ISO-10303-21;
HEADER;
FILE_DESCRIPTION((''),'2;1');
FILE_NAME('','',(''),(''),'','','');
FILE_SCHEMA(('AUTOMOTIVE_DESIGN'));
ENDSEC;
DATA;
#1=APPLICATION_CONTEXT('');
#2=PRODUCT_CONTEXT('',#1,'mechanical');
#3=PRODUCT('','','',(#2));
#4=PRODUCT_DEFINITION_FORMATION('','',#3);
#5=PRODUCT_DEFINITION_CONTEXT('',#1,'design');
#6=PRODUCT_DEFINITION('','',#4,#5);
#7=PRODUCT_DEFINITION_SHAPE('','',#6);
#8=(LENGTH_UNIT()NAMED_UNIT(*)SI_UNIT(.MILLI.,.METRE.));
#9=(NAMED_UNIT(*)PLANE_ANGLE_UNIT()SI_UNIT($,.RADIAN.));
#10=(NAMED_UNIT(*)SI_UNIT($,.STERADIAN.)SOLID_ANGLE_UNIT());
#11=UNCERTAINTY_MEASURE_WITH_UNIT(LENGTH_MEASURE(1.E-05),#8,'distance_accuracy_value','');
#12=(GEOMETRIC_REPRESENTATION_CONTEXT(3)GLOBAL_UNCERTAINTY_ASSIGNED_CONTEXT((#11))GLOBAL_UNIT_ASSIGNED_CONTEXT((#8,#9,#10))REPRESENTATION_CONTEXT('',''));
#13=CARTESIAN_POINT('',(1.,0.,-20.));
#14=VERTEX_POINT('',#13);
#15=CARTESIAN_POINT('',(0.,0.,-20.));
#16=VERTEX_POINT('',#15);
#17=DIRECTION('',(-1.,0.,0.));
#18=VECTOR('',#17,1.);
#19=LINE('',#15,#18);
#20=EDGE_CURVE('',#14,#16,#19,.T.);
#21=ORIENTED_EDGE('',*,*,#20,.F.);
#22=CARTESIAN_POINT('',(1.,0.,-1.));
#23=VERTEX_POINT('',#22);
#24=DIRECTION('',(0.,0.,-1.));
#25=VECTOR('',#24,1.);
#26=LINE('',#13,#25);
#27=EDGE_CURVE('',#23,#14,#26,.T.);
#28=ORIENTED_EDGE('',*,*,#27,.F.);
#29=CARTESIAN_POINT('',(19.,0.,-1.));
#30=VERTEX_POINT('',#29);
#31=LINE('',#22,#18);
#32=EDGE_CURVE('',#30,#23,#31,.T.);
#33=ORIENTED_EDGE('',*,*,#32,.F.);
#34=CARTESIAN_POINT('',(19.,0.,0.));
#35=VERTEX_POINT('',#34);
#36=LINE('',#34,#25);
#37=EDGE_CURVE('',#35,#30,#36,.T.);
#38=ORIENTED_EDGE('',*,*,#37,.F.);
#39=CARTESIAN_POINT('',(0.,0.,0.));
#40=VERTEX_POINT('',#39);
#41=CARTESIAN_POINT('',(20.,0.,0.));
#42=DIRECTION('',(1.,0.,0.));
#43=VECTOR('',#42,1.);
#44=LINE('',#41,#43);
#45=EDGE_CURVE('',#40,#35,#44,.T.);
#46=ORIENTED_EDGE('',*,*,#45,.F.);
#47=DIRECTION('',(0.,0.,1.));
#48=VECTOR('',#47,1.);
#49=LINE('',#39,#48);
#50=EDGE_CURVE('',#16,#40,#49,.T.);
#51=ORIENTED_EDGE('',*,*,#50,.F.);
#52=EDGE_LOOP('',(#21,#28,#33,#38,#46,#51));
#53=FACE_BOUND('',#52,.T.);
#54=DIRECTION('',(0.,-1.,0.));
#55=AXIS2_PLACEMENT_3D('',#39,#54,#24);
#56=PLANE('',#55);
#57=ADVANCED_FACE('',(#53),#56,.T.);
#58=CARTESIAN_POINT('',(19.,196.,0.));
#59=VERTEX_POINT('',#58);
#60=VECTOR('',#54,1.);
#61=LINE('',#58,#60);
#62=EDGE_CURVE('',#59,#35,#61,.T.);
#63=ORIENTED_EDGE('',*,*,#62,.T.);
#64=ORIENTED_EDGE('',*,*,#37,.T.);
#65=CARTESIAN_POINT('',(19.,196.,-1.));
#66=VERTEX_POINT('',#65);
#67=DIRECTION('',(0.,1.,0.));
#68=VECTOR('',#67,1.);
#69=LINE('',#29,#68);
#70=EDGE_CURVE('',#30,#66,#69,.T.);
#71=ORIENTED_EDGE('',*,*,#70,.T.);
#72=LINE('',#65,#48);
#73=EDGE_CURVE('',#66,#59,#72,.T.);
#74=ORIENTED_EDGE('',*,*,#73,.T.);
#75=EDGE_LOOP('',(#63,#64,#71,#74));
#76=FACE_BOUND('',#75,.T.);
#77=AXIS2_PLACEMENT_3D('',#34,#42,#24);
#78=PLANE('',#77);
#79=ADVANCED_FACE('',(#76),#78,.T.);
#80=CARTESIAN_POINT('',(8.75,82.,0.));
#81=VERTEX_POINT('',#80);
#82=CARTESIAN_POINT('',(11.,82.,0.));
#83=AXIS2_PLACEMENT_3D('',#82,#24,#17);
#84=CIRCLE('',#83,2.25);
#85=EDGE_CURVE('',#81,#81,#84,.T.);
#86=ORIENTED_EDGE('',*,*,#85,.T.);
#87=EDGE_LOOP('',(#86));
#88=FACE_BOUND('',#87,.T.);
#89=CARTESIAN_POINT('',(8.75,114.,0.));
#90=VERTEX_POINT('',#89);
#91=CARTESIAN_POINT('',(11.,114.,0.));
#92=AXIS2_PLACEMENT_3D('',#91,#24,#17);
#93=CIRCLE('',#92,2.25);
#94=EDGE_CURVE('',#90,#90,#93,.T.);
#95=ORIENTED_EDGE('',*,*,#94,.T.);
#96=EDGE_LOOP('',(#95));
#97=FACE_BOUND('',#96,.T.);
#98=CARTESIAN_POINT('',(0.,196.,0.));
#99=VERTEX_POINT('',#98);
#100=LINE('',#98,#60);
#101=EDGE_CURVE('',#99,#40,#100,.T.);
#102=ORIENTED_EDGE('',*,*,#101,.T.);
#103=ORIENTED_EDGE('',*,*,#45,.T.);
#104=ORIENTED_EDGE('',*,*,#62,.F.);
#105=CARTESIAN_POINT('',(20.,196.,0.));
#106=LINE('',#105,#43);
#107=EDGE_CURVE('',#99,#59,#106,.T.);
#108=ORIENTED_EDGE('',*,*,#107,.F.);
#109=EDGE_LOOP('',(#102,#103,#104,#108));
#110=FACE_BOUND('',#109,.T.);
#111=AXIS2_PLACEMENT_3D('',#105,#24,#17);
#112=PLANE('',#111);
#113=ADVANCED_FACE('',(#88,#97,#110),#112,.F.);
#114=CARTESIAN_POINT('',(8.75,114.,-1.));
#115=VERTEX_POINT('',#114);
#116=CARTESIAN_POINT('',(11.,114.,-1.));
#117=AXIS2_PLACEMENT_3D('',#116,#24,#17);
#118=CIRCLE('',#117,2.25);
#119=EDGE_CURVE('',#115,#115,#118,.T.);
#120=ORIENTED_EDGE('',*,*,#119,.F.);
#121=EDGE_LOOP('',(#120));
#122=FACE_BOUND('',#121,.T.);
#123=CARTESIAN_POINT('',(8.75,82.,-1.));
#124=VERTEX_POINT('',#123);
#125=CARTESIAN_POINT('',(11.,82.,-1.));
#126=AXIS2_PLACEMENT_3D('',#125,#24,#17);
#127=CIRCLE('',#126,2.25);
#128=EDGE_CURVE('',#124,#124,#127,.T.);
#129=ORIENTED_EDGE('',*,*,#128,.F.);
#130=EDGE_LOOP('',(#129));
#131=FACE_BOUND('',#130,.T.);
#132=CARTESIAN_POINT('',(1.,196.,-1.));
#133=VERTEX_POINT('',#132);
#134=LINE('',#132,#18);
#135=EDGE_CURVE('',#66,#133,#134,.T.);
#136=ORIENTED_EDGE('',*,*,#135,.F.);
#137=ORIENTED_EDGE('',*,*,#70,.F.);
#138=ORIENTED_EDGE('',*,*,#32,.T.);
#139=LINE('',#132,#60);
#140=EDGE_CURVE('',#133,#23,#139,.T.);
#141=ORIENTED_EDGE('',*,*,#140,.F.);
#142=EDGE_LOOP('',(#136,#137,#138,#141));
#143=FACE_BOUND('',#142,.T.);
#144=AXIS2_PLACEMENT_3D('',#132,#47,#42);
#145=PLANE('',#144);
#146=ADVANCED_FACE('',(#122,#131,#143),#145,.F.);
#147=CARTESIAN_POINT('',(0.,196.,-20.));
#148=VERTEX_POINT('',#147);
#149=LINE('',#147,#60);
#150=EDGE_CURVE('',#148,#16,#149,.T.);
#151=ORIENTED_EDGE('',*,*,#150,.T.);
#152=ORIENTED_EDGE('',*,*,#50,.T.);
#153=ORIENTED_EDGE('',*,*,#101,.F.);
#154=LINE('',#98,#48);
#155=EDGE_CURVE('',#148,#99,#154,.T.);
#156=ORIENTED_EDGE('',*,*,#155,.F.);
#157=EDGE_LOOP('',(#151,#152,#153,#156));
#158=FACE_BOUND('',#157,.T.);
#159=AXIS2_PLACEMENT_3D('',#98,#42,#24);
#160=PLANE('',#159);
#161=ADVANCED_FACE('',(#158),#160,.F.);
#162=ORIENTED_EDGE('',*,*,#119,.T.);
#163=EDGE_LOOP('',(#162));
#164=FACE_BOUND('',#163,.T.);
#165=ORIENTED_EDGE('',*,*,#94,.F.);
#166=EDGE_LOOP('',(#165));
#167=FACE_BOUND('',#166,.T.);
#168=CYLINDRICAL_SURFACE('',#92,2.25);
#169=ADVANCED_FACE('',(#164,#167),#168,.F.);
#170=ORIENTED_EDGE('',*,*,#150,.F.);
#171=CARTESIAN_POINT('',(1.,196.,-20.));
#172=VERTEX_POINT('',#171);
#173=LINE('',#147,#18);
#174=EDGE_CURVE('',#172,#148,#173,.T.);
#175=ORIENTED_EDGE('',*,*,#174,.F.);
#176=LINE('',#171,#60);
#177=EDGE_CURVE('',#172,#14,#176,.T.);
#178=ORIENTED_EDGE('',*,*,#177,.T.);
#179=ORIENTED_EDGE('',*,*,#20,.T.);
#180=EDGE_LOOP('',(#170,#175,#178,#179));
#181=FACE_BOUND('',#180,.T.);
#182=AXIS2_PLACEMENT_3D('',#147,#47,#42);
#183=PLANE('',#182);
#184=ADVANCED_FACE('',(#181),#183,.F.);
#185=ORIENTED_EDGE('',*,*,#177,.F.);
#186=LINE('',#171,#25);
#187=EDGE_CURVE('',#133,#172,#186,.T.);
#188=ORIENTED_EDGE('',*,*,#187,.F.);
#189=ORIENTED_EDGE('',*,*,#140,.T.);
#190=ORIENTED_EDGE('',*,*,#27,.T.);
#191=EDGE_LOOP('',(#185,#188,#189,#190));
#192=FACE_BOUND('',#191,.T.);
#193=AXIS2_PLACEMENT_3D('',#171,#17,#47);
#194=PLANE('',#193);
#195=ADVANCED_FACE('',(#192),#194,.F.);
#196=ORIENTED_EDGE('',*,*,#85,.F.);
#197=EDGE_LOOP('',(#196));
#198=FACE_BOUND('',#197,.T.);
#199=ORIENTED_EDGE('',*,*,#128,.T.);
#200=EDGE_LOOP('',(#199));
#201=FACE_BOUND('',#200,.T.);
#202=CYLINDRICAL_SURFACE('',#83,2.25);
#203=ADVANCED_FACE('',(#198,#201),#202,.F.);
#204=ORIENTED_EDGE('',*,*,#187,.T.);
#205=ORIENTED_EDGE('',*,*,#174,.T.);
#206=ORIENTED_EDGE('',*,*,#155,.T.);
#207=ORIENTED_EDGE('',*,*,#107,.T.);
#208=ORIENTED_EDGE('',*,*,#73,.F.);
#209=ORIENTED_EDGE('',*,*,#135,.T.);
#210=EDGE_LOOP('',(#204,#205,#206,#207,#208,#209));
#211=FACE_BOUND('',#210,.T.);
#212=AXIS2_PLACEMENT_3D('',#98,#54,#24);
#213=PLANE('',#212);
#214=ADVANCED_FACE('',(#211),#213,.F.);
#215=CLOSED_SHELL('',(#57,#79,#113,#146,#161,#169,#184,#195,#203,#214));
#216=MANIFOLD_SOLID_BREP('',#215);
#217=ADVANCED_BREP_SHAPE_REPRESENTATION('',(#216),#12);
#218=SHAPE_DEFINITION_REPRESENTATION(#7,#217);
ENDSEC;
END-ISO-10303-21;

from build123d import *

# Parameters (mm, degrees)
EXTRUDE_1_DEPTH     = 196
SKETCH_2_W          = 1
SKETCH_2_H          = 196
CUT_EXTRUDE_1_DEPTH = 1
SKETCH1_R           = 2.25
CUT_EXTRUDE1_DEPTH  = 2


with BuildPart() as part:
    # Эскиз1 → Бобышка-Вытянуть1 (new body)
    with BuildSketch(Plane(origin=(0, 0, 0), x_dir=(1, 0, 0), z_dir=(0, 1, 0))):
        Polygon((0, 0), (0, 20), (1, 20), (1, 1), (20, 1), (20, 0), align=None)
    extrude(amount=EXTRUDE_1_DEPTH)

    # Эскиз2 → Вырез-Вытянуть1 (cut)
    with BuildSketch(Plane(origin=(20, 0, 0), x_dir=(0, 0, -1), z_dir=(1, 0, 0))):
        with Locations((0.5, 98)):
            Rectangle(SKETCH_2_W, SKETCH_2_H)
    extrude(amount=-CUT_EXTRUDE_1_DEPTH, mode=Mode.SUBTRACT)

    # Sketch1 → Cut-Extrude1 (cut, through all)
    with BuildSketch(Plane(origin=(0, 0, -1), x_dir=(-1, 0, 0), z_dir=(0, 0, -1))):
        with Locations((-11, 82)):
            Circle(SKETCH1_R)
        with Locations((-11, 114)):
            Circle(SKETCH1_R)
    extrude(amount=-CUT_EXTRUDE1_DEPTH, mode=Mode.SUBTRACT)


solid = part.part
